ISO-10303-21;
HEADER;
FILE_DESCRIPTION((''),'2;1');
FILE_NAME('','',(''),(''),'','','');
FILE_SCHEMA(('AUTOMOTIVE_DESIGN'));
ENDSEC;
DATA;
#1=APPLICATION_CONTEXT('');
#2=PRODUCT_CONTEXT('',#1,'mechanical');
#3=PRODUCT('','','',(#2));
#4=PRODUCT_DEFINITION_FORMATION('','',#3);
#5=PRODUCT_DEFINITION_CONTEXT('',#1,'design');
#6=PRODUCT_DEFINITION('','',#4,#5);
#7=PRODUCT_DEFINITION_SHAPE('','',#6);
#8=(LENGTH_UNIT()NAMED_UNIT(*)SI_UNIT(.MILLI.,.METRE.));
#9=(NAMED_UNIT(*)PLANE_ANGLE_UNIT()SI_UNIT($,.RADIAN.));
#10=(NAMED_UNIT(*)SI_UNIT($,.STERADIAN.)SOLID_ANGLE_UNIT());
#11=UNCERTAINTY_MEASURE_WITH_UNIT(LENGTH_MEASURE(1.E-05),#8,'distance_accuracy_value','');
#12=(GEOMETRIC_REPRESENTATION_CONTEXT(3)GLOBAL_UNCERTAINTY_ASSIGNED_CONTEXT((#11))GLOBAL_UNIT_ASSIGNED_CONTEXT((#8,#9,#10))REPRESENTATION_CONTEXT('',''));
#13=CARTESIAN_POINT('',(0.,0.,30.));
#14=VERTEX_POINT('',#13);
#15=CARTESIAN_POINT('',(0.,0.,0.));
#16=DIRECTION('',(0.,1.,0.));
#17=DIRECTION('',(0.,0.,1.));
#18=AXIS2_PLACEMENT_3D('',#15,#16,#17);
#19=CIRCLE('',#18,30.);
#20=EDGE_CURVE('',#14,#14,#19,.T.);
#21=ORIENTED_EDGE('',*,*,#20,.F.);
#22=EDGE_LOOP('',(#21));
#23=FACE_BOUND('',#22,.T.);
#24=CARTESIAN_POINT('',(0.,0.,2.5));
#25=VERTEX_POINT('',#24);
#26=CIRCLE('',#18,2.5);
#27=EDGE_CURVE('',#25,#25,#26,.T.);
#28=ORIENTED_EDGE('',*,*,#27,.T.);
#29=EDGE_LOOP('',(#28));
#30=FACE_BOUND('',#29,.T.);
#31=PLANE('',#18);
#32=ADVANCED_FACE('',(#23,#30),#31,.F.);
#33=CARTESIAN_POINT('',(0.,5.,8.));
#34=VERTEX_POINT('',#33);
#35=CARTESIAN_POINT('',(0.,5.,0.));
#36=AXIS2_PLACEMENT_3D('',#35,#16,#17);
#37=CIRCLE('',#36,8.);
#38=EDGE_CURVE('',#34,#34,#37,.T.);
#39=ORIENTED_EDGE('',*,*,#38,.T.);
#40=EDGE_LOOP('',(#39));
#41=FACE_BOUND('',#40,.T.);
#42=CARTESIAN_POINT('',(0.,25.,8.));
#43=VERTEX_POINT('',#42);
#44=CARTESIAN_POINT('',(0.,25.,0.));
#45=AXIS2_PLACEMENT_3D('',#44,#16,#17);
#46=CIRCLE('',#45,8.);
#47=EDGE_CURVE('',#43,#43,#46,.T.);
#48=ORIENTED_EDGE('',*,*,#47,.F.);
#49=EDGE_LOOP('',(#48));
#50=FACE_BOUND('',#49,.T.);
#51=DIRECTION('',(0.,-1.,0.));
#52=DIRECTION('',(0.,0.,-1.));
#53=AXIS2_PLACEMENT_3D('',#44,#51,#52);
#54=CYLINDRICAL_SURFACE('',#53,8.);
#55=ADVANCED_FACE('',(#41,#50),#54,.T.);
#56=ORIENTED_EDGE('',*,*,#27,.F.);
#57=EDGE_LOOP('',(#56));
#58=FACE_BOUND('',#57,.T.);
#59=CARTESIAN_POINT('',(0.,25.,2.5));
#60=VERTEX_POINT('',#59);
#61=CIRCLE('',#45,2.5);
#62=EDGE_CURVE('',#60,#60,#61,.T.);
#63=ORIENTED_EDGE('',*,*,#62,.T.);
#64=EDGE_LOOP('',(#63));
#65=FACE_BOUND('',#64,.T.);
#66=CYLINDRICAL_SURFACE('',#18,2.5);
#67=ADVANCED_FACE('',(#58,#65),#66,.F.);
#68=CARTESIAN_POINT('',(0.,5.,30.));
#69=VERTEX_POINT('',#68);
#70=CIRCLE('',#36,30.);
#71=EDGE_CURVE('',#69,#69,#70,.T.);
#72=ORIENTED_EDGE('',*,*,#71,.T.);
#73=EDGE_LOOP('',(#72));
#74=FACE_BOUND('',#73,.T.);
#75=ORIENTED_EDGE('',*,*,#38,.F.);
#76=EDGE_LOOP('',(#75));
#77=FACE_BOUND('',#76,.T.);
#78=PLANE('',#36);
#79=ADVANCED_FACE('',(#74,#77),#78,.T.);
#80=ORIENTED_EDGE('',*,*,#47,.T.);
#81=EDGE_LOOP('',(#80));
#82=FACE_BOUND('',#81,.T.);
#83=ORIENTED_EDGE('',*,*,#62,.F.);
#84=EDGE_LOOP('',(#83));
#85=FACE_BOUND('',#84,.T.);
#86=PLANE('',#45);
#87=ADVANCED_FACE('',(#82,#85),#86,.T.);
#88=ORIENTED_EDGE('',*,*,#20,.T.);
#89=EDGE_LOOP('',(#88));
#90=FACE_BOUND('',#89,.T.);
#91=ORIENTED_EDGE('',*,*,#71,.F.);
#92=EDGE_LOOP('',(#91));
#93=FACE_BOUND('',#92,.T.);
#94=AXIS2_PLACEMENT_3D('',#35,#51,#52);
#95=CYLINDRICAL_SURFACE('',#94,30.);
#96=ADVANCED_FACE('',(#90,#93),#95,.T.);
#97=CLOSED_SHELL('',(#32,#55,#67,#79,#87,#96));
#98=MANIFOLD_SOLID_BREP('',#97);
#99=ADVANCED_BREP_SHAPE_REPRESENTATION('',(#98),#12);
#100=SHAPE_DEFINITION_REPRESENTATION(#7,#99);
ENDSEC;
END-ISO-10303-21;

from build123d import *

# Parameters (mm, degrees)
SKETCH1_R           = 30
BOSS_EXTRUDE1_DEPTH = 5
SKETCH2_R           = 8
BOSS_EXTRUDE2_DEPTH = 20
SKETCH3_R           = 2.5
CUT_EXTRUDE1_DEPTH  = 50.244289009


with BuildPart() as part:
    # Sketch1 → Boss-Extrude1 (new body)
    with BuildSketch(Plane(origin=(0, 0, 0), x_dir=(1, 0, 0), z_dir=(0, 1, 0))):
        with Locations(Location((0, 0, 0), (0, 0, 270))):
            Circle(SKETCH1_R)
    extrude(amount=BOSS_EXTRUDE1_DEPTH)

    # Sketch2 → Boss-Extrude2 (add)
    with BuildSketch(Plane(origin=(0, 5, 0), x_dir=(1, 0, 0), z_dir=(0, 1, 0))):
        with Locations(Location((0, 0, 0), (0, 0, 270))):
            Circle(SKETCH2_R)
    extrude(amount=BOSS_EXTRUDE2_DEPTH)

    # Sketch3 → Cut-Extrude1 (cut, through all)
    with BuildSketch(Plane(origin=(0, 25, 0), x_dir=(1, 0, 0), z_dir=(0, 1, 0))):
        with Locations(Location((0, 0, 0), (0, 0, 270))):
            Circle(SKETCH3_R)
    extrude(amount=-CUT_EXTRUDE1_DEPTH, mode=Mode.SUBTRACT)


solid = part.part
